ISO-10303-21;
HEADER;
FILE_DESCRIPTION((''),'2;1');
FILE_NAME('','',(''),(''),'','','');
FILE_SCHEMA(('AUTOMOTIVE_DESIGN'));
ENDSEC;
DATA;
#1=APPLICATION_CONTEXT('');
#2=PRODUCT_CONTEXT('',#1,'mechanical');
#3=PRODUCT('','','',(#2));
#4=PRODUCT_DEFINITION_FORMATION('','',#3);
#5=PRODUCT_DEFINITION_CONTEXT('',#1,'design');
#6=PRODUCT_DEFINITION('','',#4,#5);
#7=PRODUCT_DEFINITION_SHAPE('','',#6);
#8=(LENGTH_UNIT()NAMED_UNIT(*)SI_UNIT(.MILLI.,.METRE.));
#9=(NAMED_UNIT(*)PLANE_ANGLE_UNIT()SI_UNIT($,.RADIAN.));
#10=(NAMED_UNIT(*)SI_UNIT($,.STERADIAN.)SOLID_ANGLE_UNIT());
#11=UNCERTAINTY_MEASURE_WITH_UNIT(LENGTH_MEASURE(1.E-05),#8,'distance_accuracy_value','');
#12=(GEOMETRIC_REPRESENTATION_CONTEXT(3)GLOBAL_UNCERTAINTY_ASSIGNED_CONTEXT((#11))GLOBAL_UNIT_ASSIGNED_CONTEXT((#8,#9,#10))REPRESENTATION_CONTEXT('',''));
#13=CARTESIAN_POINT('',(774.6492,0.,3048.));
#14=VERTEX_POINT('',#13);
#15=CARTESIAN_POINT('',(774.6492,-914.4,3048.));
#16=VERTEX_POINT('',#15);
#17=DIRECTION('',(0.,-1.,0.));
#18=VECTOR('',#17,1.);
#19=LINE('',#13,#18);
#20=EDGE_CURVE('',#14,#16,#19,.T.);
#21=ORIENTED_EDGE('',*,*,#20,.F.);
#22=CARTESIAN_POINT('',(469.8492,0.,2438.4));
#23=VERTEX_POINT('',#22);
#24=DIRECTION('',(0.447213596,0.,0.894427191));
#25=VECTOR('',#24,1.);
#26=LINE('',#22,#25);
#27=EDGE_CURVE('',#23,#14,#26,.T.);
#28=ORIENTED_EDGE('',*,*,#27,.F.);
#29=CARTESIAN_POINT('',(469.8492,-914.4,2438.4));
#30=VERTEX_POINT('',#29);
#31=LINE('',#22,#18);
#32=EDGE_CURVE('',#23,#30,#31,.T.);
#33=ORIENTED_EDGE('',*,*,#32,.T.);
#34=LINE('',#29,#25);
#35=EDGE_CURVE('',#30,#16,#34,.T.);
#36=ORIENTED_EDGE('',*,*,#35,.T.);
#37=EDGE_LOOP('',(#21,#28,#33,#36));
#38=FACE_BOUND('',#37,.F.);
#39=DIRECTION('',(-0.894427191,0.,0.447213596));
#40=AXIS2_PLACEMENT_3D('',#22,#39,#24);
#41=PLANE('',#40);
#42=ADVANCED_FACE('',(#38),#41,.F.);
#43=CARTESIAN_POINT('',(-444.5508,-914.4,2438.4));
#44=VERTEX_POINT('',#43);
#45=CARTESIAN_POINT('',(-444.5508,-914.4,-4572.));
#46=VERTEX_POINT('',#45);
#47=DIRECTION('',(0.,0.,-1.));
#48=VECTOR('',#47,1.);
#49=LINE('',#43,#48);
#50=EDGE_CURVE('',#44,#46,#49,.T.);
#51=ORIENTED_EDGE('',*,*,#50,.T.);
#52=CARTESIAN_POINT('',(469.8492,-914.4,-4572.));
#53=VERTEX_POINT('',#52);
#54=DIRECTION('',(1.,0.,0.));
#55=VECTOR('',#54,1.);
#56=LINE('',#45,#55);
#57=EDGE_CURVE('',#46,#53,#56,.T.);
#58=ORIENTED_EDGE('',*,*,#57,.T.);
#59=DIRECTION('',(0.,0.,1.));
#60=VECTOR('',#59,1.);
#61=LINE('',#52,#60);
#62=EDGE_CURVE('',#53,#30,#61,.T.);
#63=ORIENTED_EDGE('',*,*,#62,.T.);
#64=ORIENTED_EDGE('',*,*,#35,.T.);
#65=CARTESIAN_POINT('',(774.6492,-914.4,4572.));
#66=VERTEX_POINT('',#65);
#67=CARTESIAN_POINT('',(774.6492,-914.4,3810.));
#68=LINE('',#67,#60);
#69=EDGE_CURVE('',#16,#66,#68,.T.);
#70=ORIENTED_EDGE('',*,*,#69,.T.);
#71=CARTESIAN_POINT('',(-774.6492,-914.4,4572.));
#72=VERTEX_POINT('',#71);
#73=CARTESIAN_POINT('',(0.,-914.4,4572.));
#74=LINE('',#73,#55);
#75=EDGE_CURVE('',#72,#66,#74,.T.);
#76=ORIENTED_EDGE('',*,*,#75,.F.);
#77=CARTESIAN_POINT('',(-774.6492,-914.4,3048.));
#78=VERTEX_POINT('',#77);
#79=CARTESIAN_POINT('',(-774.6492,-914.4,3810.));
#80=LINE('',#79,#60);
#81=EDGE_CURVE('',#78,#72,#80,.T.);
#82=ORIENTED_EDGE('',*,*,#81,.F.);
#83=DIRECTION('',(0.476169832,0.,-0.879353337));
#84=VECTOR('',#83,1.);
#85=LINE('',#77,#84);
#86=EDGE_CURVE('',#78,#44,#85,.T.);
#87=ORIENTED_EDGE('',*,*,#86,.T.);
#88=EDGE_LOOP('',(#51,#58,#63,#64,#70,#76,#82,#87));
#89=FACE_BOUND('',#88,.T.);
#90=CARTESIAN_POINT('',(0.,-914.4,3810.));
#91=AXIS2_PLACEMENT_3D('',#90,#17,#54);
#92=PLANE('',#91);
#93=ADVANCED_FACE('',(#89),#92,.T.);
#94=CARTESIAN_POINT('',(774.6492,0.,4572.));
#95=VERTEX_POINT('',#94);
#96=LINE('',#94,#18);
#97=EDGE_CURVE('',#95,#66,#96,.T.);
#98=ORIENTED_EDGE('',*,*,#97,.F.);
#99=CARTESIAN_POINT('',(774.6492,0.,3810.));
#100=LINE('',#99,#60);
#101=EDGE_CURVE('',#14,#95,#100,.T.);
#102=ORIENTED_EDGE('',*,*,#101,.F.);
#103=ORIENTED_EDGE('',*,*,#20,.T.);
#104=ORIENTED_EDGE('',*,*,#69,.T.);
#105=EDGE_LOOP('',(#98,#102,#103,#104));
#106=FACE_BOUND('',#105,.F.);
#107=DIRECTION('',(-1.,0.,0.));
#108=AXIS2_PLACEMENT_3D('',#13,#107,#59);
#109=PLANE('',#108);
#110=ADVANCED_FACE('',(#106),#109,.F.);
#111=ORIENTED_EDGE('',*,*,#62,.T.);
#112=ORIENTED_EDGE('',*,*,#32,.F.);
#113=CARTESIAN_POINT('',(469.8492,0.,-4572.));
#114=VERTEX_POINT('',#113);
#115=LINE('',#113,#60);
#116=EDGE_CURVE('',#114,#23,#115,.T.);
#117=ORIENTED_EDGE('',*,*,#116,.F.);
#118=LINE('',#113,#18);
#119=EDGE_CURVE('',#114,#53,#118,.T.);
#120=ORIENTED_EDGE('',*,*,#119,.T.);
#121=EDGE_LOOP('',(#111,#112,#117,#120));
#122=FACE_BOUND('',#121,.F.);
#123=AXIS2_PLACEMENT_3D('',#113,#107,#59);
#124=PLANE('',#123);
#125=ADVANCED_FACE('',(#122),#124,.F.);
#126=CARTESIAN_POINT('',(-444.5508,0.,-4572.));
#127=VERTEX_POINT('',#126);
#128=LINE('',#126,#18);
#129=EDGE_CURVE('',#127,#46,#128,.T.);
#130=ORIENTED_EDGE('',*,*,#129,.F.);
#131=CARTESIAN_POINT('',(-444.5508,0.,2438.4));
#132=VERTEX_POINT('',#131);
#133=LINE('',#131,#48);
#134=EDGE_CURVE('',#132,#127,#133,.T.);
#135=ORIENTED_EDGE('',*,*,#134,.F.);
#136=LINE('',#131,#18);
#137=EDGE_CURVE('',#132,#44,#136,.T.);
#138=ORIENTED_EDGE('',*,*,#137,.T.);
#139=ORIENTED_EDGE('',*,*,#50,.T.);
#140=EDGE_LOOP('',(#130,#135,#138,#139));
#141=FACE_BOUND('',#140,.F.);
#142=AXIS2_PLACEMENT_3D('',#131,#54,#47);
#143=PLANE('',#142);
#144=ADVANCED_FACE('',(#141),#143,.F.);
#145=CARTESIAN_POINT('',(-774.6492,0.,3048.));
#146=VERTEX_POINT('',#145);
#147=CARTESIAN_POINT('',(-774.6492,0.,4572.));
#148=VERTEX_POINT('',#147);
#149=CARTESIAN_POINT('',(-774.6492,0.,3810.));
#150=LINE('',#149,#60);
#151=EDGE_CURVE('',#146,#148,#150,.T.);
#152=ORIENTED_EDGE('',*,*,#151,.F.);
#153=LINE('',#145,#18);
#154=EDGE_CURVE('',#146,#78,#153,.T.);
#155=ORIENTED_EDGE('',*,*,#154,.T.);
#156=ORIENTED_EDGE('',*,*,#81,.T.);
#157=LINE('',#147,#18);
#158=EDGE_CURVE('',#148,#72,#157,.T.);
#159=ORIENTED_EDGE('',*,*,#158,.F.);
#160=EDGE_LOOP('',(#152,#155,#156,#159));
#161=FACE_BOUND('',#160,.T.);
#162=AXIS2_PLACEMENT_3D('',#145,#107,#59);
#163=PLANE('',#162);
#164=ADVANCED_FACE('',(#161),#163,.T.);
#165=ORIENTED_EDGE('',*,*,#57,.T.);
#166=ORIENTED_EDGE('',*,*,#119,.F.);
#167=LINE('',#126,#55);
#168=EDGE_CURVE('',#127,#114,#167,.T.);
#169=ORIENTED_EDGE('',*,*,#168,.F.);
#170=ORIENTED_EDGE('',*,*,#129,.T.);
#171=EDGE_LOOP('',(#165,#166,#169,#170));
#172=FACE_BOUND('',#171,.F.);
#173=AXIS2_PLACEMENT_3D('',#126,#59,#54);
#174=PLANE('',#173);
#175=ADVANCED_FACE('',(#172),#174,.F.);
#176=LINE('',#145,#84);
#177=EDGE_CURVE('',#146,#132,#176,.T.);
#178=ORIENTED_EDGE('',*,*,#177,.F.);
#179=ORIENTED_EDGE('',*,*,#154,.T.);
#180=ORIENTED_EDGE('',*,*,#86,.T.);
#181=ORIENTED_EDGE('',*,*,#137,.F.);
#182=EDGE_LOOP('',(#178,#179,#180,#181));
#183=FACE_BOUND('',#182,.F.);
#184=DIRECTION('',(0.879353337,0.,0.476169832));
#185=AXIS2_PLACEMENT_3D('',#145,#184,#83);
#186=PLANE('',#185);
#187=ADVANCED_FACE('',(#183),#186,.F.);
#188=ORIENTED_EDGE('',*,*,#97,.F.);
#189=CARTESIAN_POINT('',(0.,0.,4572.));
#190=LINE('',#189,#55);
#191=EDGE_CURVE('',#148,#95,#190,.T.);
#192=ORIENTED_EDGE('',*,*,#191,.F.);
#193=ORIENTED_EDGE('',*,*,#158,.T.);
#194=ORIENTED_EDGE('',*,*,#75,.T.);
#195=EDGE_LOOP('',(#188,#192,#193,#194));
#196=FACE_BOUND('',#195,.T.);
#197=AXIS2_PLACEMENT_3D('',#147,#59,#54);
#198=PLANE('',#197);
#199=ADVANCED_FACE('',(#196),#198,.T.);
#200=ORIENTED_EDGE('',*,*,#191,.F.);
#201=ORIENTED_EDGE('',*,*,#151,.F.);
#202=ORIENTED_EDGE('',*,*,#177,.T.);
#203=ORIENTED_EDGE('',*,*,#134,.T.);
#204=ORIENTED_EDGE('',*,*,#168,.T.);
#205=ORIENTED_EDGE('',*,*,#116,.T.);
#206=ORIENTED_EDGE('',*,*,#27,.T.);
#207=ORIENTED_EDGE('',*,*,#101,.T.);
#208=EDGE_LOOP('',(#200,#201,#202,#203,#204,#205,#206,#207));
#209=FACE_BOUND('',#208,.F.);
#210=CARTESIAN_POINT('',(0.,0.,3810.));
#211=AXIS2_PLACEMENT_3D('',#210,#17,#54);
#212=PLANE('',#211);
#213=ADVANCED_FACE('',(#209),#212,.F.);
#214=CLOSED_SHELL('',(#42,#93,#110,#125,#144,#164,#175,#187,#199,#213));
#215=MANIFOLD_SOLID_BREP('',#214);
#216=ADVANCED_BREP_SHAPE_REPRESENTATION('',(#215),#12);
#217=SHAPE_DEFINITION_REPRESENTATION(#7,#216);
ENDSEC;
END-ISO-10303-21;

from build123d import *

# Parameters (mm, degrees)
F0_W     = 1549.2984
F0_H     = 1524
F1_DEPTH = 914.4


with BuildPart() as f1:
    # F0 (on Front) → F1 (new body)
    with BuildSketch(Plane.XZ):
        with Locations((0, 3810)):
            Rectangle(F0_W, F0_H)
        Polygon((774.6492, 3048), (-774.6492, 3048), (-444.5508, 2438.4), (-444.5508, -4572), (469.8492, -4572), (469.8492, 2438.4), align=None)
    extrude(amount=F1_DEPTH)


solid = f1.part
